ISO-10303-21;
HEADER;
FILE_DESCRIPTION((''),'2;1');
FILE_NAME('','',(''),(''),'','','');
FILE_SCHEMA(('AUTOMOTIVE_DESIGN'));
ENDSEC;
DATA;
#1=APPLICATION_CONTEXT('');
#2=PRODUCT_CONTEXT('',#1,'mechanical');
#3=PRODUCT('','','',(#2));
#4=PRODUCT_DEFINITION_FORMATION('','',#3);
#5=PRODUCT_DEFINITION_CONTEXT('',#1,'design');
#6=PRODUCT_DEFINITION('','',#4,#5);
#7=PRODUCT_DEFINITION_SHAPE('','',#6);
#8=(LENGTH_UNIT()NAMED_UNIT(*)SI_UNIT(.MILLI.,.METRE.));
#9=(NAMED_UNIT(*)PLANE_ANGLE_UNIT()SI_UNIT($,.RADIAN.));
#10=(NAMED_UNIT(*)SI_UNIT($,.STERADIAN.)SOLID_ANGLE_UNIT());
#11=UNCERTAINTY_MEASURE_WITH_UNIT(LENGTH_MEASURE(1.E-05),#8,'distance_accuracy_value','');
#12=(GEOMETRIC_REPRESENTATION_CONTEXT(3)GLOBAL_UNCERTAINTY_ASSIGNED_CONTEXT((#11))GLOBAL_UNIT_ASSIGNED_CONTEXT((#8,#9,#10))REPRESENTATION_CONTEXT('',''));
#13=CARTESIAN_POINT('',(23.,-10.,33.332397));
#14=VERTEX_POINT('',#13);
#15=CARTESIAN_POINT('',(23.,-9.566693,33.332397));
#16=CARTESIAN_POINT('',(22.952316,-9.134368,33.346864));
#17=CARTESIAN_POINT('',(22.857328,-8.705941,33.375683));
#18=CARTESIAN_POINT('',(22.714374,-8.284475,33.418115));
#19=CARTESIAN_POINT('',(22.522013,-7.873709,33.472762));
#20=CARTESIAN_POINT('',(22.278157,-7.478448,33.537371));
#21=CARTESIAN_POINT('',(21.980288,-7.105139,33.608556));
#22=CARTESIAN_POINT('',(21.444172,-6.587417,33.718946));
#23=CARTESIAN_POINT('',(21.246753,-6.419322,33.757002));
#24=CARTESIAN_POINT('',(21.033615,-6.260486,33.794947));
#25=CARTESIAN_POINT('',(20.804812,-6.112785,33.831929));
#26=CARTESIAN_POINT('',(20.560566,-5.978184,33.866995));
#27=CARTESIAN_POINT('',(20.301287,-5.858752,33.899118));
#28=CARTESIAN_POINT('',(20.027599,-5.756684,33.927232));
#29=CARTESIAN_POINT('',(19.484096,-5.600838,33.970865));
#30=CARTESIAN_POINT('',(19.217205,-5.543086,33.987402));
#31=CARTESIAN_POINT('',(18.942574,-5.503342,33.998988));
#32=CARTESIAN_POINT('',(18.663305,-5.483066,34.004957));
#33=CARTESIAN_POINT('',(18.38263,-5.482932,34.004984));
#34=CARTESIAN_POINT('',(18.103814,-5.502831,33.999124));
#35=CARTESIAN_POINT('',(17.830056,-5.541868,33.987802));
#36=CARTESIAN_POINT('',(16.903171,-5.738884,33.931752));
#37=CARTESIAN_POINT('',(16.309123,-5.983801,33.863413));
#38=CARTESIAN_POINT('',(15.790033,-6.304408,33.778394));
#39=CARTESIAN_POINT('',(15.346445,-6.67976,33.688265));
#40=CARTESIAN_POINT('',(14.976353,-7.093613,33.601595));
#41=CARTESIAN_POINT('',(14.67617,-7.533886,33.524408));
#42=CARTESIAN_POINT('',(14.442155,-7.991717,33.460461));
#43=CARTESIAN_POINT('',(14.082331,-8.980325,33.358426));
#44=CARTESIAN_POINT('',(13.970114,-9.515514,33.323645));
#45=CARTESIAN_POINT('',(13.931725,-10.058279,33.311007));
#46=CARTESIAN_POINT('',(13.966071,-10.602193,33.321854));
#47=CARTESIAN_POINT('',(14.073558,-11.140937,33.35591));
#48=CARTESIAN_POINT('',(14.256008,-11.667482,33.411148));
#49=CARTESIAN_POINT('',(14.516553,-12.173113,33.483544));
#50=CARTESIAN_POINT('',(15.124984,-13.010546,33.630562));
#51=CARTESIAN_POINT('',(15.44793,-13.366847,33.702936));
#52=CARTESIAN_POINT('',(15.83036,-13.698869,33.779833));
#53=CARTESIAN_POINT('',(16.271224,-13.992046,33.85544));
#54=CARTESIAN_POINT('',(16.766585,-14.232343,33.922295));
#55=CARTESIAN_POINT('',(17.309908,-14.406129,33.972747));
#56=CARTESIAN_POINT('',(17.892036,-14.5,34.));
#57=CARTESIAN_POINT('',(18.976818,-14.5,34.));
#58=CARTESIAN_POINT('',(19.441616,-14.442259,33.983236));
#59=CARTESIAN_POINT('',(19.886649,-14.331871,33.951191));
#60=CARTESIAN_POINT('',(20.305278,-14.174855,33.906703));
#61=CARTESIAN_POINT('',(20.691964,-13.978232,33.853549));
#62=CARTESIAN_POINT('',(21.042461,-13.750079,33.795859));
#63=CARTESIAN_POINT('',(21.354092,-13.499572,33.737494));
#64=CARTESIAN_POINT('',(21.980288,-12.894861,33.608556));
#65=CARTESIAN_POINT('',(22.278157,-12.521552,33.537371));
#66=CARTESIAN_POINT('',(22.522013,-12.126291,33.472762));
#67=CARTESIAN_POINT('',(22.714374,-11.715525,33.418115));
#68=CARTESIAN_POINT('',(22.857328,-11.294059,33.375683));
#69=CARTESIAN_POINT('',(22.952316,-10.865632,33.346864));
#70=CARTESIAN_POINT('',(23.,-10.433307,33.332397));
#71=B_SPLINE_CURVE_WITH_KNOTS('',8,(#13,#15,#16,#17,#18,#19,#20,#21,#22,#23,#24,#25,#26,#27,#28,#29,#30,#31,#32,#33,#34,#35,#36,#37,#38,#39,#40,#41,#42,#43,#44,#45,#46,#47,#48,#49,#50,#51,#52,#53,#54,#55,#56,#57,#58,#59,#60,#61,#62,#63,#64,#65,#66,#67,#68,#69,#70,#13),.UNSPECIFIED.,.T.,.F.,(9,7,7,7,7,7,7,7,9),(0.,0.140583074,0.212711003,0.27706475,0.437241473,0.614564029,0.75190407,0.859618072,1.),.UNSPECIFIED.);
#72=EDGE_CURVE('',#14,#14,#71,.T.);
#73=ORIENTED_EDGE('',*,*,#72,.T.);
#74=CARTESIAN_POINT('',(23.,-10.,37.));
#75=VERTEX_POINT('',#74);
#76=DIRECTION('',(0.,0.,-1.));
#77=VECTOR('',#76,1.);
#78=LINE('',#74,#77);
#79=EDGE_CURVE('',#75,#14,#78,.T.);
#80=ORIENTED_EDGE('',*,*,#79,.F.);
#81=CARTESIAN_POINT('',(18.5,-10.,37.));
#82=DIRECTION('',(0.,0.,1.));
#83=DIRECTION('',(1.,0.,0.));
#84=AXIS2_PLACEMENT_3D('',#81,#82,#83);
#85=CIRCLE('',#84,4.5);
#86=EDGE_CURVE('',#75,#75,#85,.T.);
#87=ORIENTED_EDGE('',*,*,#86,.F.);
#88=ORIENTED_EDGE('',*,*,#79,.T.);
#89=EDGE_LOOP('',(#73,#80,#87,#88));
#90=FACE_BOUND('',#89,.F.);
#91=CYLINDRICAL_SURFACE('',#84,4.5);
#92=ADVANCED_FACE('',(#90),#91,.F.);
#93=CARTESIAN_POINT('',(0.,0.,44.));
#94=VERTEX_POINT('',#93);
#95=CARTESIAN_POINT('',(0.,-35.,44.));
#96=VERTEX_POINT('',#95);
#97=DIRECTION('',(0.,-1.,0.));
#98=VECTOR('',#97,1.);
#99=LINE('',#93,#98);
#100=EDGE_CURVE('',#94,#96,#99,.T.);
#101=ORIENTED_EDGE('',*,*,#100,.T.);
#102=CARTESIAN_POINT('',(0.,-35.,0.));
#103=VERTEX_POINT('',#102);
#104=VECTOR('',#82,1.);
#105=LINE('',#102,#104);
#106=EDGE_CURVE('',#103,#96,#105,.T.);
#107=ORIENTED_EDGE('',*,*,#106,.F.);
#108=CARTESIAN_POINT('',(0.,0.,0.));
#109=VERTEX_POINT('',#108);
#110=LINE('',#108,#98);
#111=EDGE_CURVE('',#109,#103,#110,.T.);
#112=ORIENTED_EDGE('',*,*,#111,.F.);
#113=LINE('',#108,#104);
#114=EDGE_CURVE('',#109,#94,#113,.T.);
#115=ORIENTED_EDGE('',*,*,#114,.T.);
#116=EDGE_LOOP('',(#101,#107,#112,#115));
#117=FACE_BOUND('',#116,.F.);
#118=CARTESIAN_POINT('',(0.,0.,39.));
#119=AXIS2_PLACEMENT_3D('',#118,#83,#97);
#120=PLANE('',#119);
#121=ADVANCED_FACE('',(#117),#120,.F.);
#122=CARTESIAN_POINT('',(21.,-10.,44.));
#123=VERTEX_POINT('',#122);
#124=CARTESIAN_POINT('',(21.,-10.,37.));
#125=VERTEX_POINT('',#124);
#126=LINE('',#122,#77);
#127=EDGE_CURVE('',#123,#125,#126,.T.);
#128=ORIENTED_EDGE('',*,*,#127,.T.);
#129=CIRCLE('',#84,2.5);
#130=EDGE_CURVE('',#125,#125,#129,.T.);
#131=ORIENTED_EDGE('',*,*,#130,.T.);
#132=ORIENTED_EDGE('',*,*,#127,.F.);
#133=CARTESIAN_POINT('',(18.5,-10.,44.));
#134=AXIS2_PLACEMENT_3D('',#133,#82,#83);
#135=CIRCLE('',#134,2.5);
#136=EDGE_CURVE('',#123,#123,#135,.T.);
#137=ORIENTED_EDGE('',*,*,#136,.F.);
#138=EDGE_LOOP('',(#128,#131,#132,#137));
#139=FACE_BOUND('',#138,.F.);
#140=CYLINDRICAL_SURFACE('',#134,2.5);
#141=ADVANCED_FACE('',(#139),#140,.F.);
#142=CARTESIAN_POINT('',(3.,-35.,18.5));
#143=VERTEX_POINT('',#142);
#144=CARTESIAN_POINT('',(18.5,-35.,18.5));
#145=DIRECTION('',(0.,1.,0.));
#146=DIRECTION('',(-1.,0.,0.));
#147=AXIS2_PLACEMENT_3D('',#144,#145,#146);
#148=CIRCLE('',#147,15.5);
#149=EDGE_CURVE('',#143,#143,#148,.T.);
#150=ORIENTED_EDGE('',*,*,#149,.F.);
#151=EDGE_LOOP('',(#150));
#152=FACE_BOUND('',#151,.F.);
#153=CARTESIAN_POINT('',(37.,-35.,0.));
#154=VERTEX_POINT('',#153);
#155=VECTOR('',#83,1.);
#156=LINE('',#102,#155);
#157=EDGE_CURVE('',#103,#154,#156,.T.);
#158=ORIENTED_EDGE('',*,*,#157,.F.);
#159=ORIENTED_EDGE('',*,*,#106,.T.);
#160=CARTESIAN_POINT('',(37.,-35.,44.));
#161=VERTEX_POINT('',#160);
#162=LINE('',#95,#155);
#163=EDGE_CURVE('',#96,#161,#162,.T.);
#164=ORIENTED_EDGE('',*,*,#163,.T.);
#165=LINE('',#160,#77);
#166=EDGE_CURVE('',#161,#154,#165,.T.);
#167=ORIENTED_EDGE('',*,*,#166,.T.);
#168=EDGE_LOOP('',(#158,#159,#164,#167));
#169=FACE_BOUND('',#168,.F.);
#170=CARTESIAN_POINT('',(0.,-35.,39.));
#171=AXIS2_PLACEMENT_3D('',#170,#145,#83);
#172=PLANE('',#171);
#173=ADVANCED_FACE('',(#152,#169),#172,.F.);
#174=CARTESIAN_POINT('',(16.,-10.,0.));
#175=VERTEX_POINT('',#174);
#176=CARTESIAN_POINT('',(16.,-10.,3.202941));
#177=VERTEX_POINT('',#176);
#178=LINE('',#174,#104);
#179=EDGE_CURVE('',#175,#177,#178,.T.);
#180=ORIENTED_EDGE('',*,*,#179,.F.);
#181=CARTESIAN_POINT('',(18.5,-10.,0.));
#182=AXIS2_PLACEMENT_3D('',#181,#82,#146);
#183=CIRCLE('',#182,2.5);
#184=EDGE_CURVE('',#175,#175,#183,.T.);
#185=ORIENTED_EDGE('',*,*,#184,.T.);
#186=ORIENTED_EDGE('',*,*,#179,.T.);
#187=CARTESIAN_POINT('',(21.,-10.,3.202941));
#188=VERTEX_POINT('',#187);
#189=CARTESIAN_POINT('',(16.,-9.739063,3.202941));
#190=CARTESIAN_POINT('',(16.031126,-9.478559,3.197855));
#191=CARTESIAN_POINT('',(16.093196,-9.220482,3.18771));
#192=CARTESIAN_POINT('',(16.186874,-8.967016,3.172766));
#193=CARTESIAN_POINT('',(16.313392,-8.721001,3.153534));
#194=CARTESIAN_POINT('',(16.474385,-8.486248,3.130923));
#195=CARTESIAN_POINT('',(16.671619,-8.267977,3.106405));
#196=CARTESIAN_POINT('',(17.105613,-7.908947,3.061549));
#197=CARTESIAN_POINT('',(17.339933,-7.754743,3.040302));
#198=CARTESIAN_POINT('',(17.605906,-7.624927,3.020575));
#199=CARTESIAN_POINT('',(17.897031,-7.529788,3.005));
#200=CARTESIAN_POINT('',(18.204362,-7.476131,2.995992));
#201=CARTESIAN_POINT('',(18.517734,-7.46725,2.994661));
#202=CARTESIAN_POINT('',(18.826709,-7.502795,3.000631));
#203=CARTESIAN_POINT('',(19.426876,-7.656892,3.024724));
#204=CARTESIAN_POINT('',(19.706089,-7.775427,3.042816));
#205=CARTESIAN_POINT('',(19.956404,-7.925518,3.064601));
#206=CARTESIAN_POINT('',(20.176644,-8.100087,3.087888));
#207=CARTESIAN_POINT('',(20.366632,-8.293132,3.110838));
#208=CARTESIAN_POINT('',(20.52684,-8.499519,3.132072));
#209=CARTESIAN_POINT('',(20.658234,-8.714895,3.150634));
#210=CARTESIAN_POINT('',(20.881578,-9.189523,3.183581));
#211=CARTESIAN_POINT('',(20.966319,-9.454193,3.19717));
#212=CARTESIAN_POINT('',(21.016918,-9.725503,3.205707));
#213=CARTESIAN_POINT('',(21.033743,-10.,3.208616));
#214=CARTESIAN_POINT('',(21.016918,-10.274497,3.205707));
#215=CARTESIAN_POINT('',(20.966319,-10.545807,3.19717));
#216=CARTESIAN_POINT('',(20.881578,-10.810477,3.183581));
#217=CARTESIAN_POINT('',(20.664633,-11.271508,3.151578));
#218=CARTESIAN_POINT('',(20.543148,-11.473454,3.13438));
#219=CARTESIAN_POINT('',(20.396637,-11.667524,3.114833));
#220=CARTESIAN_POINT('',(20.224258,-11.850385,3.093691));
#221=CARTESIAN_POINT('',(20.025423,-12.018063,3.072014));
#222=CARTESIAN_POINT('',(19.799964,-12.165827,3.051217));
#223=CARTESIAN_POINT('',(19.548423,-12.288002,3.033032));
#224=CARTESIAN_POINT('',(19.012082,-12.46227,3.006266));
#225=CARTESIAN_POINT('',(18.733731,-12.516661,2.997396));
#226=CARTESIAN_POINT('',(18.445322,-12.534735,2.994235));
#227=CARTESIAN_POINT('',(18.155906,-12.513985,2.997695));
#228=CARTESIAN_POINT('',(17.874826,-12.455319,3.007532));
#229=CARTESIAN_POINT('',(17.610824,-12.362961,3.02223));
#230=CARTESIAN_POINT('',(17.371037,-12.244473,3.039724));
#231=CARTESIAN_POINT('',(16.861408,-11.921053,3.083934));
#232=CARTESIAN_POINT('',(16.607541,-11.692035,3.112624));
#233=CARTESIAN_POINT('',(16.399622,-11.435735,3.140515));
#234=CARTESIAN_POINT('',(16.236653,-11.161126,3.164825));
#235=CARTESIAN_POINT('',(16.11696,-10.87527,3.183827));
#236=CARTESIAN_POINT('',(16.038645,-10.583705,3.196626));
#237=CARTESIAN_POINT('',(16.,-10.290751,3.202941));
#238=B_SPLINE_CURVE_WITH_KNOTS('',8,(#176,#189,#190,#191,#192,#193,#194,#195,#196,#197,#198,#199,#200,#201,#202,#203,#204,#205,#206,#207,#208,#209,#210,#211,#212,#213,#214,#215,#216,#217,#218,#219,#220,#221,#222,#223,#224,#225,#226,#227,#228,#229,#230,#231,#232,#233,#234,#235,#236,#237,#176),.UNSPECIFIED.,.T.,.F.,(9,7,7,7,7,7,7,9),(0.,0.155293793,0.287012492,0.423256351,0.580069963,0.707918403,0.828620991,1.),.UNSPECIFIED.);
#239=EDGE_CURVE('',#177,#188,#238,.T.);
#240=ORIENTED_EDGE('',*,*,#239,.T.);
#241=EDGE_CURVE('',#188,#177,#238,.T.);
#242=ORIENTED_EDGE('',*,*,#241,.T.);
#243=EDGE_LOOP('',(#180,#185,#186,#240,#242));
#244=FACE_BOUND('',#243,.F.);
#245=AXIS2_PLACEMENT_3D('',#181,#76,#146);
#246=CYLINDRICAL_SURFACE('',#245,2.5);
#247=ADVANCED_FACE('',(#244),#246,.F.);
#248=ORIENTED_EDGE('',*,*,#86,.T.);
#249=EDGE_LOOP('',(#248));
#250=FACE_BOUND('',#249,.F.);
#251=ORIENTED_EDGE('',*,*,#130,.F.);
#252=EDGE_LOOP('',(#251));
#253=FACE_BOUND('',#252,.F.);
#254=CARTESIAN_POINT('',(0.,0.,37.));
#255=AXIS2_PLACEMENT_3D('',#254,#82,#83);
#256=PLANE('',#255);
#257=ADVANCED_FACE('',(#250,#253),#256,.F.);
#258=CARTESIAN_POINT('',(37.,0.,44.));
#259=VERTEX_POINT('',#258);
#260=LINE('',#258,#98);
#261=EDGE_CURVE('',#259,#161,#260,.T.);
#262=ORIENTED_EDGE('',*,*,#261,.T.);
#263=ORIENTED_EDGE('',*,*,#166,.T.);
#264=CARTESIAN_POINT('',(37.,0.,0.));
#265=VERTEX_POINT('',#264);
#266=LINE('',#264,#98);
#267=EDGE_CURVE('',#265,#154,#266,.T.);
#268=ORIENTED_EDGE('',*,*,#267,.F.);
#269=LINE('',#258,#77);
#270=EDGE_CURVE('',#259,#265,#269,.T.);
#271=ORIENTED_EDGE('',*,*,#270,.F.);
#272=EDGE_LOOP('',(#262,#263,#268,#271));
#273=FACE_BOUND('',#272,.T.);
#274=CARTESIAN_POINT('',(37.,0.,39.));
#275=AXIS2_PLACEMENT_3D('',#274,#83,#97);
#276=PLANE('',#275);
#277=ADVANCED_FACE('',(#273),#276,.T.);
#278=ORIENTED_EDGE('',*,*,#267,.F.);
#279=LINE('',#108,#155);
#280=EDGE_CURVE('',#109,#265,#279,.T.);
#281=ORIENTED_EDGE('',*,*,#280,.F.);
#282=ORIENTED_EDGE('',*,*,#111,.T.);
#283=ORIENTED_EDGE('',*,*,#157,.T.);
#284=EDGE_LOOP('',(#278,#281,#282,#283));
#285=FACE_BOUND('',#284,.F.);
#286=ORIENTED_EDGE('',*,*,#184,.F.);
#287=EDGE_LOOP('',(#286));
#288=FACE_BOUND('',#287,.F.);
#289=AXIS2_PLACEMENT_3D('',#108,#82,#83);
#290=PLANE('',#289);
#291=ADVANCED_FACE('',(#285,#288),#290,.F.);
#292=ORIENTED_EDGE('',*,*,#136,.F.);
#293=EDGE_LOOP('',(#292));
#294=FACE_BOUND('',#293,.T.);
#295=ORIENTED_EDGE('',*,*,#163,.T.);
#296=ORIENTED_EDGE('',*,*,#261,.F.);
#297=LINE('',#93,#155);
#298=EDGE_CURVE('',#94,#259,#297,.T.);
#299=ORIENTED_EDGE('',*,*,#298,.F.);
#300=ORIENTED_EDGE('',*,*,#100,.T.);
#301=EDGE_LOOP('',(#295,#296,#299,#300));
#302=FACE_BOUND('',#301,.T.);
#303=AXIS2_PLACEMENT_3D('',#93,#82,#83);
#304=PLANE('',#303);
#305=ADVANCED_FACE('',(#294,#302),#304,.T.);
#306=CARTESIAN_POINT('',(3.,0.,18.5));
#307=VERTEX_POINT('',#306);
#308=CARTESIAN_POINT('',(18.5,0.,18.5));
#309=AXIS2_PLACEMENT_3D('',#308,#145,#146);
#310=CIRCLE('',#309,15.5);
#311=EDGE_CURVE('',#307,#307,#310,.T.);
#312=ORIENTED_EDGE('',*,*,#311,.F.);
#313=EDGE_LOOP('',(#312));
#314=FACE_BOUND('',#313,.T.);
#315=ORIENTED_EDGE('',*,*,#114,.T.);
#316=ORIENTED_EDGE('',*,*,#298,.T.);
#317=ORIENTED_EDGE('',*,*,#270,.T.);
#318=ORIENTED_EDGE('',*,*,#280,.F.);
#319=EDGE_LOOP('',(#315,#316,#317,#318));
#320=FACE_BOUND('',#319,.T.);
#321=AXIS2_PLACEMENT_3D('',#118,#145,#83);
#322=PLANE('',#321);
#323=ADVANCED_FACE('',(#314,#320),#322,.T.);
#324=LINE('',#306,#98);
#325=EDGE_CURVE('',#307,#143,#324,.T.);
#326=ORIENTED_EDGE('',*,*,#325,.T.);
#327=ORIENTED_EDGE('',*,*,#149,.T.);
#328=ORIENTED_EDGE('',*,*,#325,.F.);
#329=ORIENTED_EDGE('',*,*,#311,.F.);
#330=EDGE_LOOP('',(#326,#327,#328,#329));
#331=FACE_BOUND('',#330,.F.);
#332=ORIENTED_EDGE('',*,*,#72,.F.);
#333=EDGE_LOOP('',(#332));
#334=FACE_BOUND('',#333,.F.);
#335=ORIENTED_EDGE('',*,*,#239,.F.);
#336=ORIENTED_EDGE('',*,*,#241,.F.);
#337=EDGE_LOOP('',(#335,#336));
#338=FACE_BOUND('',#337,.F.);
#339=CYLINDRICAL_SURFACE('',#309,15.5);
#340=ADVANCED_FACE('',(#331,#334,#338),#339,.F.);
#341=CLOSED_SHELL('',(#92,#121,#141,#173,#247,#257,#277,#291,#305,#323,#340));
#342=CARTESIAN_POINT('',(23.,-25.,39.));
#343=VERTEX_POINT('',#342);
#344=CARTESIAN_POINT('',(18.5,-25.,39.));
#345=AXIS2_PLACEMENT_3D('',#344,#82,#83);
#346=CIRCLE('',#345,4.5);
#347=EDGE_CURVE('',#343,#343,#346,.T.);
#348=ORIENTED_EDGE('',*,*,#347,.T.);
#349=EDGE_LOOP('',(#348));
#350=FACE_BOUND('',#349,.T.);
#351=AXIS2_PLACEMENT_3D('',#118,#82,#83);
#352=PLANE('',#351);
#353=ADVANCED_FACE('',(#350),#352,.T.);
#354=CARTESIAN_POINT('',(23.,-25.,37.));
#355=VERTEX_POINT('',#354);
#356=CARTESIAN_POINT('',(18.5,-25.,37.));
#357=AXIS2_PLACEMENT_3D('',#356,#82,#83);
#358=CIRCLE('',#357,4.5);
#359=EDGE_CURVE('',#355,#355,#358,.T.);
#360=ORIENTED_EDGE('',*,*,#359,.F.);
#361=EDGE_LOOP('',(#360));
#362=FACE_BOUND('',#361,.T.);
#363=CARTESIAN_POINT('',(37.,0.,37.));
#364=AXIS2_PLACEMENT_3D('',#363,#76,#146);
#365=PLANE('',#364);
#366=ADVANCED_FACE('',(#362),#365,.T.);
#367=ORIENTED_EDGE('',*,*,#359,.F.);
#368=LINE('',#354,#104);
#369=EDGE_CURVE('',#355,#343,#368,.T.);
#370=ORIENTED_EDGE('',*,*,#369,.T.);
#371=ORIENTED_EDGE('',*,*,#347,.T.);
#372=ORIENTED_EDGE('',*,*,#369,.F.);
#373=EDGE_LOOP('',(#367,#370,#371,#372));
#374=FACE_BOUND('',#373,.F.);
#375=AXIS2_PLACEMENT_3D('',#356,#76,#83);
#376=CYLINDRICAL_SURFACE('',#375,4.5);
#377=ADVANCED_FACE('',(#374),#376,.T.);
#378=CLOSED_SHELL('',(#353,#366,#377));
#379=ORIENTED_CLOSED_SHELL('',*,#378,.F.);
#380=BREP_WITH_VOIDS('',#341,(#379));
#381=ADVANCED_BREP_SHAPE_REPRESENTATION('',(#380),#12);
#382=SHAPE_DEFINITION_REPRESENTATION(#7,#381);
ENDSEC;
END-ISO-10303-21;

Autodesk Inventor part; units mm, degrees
ref_plane "YZ Plane" through (0, 0, 0) normal (1, 0, 0) x (0, 1, 0)
ref_plane "XZ Plane" through (0, 0, 0) normal (0, 1, 0) x (-1, 0, 0)
ref_plane "XY Plane" through (0, 0, 0) normal (0, 0, 1) x (1, 0, 0)
sketch "Sketch1" plane through (0, 0, 0) normal (0, 1, 0) x (-1, 0, 0)
  line L0 (0, 0) -> (-37, 0)
  line L1 (-37, 0) -> (-37, 37)
  line L2 (-37, 37) -> (0, 37)
  line L3 (0, 37) -> (0, 0)
  circle A0 centre (-18.5, 18.5) radius 15.5
  point P0 (-18.5, 0)
  dimension "d0" = 37
  dimension "d1" = 37
  dimension "d2" = 18.5
  dimension "d3" = 18.5
  dimension "d4" = 31
extrude "Extrusion1" add sketch "Sketch1" against normal blind 35
sketch "Sketch3" plane through (0, 0, 37) normal (0, 0, 1) x (1, 0, 0)
  circle A0 centre (18.5, -10) radius 4.5
  line L0 (37, 0) -> (37, -35) projected
  point P0 (0, 0)
  dimension "d8" = 9
  dimension "d18" = 18.5
extrude "Extrusion2" cut sketch "Sketch3" against normal blind 5
sketch "Sketch4" plane through (37, 0, 0) normal (0, 0, -1) x (-1, 0, 0)
  circle A0 centre (18.5, -10) radius 4.5 projected
  circle A1 centre (18.5, -10) radius 2.5
  point P0 (37, 0)
  dimension "d11" = 5
extrude "Extrusion3" cut sketch "Sketch4" against normal blind 5 contours A1
sketch "Sketch5" plane through (0, 0, 37) normal (0, 0, 1) x (1, 0, 0)
  line L0 (37, 0) -> (0, 0) projected
  line L1 (0, -35) -> (37, -35) projected
  line L2 (0, 0) -> (37, 0)
  line L3 (37, 0) -> (37, -35)
  line L4 (37, -35) -> (0, -35)
  line L5 (0, -35) -> (0, 0)
  line L6 (0, 0) -> (0, -35) projected
  line L7 (0, 0) -> (37, 0)
  line L8 (37, 0) -> (37, -35)
  line L9 (37, -35) -> (0, -35)
  line L10 (0, -35) -> (0, 0)
  circle A0 centre (18.5, -25) radius 4.5
  dimension "d19" = 18.5
  dimension "d22" = 10
extrude "Extrusion4" add sketch "Sketch5" along normal blind 2
sketch "Sketch6" plane through (0, 0, 39) normal (0, 0, 1) x (1, 0, 0)
  line L0 (0, 0) -> (0, -35) projected
  line L1 (0, -35) -> (37, -35) projected
  line L2 (0, 0) -> (37, 0)
  line L3 (37, 0) -> (37, -35)
  line L4 (37, -35) -> (0, -35)
  line L5 (0, -35) -> (0, 0)
extrude "Extrusion5" add sketch "Sketch6" along normal blind 5
sketch "Sketch7" plane through (0, 0, 44) normal (0, 0, 1) x (1, 0, 0)
  circle A0 centre (18.5, -10) radius 2.5
  line L0 (37, 0) -> (0, 0) projected
  line L1 (37, -35) -> (37, 0) projected
  point P0 (18.5, 0)
  dimension "d24" = 5
  dimension "d25" = 10
  dimension "d26" = 18.5
extrude "Extrusion6" cut sketch "Sketch7" against normal through all
equation "\"d0\" = d1"
equation "\"d2\" = 0.5 * d1"
equation "\"d3\" = 0.5 * d0"
properties part number "welco mount v03b"
